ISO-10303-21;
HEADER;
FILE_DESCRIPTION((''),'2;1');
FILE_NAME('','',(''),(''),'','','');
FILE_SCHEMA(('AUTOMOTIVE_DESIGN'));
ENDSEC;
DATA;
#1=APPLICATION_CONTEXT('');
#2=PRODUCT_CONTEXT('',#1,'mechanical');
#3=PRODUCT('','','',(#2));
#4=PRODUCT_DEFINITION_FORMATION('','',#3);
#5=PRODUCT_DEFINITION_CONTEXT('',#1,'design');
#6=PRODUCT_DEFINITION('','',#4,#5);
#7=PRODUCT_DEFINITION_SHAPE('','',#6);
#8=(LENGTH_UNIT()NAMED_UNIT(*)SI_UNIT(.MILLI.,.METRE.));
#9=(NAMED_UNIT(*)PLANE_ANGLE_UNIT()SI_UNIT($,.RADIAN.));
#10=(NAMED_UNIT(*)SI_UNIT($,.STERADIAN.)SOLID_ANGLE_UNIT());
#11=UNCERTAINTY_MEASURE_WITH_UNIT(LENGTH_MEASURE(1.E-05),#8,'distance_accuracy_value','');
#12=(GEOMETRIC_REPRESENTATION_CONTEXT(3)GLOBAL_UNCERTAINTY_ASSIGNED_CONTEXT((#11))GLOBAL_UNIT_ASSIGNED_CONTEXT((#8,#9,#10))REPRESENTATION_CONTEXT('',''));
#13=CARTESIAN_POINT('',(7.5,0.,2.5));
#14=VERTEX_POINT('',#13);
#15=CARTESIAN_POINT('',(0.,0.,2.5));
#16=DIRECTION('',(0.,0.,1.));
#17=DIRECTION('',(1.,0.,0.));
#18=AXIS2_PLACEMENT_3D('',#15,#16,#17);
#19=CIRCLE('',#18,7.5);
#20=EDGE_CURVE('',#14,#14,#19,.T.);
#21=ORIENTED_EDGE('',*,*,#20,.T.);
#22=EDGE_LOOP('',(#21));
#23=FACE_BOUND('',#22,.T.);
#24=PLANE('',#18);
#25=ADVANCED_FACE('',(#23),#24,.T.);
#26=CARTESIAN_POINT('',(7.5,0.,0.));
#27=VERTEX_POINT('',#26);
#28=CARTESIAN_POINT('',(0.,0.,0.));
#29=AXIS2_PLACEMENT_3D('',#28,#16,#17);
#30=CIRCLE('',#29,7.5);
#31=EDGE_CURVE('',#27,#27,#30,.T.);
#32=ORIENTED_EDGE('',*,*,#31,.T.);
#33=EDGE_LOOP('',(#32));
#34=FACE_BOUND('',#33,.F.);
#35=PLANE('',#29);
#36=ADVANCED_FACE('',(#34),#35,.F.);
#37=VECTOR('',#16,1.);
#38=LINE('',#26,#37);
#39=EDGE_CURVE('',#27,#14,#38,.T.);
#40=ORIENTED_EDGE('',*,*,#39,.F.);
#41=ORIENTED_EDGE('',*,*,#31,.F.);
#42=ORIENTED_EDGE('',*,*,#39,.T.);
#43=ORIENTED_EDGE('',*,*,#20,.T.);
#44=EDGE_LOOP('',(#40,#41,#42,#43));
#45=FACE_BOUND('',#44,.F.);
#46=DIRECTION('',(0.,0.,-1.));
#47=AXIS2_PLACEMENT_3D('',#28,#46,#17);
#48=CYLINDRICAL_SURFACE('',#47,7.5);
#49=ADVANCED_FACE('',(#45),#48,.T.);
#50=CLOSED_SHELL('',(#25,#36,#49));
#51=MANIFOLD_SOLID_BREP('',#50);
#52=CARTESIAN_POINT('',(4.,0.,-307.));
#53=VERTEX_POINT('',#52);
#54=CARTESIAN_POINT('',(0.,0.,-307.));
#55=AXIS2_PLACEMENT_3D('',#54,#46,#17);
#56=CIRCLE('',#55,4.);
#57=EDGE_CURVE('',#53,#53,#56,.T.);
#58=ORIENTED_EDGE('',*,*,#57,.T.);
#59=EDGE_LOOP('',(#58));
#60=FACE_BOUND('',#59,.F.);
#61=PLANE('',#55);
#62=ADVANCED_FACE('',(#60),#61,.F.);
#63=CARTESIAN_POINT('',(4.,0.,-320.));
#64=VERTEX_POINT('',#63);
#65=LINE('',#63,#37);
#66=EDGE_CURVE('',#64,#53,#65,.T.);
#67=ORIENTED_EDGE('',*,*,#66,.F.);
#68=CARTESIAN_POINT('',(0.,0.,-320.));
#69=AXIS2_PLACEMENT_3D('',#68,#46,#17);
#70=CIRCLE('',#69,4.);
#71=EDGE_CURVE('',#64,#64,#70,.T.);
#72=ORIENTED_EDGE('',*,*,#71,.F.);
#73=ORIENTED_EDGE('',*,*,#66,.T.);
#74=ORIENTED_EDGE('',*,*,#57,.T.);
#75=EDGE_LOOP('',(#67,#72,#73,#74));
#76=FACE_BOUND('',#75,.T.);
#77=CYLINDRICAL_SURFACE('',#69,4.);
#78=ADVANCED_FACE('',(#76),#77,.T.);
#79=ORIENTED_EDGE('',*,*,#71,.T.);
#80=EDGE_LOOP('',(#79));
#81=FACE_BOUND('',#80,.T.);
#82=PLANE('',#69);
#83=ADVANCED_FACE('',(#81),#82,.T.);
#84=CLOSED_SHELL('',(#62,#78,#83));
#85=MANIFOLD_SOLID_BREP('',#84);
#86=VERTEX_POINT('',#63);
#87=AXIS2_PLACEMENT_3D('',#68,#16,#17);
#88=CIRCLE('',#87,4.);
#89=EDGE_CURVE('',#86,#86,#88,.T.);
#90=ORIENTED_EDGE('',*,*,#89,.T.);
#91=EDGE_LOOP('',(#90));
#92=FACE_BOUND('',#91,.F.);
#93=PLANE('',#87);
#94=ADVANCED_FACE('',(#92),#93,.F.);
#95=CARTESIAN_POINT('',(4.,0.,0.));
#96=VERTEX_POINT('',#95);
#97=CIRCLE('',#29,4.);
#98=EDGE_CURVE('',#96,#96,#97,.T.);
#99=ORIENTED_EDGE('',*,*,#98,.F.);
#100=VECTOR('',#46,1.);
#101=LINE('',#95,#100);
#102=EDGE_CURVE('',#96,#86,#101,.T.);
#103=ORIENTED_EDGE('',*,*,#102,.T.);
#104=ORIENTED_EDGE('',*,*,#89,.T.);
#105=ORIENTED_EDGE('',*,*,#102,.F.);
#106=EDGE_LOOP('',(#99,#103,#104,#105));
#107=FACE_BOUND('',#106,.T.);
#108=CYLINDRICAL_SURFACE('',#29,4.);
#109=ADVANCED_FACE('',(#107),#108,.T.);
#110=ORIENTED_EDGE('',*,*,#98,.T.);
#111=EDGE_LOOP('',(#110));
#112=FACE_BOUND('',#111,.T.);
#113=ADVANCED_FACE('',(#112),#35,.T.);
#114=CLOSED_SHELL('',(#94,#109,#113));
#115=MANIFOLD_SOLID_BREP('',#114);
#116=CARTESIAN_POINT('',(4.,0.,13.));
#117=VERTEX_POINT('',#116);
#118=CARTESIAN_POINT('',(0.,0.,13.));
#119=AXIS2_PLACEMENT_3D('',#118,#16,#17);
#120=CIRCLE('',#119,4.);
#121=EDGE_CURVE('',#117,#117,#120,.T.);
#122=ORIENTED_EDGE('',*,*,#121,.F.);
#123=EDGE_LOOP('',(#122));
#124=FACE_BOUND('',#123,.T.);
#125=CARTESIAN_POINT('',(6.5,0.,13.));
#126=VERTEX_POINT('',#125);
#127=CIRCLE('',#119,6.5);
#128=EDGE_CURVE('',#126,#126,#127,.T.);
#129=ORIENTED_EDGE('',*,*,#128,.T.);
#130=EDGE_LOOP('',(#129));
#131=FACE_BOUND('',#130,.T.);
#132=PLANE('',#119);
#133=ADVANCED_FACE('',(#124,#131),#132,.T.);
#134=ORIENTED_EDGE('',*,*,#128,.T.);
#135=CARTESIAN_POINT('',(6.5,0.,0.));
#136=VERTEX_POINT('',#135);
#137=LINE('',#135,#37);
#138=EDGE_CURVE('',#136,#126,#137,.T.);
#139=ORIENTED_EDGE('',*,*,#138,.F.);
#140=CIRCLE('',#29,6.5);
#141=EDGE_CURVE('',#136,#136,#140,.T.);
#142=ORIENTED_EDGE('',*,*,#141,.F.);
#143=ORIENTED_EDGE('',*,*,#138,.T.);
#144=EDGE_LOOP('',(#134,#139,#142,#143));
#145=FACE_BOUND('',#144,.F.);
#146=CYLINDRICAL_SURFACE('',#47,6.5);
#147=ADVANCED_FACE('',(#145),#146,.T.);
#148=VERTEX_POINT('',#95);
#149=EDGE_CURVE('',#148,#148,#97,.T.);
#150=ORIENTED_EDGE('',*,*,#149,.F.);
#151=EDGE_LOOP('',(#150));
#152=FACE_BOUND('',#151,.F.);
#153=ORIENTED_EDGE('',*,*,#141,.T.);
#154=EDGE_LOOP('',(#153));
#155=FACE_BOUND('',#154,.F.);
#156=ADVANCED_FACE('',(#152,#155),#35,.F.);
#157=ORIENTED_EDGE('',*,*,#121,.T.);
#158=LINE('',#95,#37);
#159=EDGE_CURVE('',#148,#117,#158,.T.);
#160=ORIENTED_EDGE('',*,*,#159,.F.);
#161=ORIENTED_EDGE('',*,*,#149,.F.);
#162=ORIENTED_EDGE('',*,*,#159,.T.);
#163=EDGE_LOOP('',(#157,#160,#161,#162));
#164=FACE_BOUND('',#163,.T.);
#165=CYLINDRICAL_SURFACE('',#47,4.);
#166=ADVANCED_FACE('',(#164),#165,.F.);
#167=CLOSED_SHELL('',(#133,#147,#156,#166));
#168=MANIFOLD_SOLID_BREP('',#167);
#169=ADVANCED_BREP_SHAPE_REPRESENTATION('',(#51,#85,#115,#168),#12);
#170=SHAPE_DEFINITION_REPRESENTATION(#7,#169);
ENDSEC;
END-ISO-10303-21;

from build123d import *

# Parameters (mm, degrees)
F0_R      = 7.5
F0_R_2    = 6.5
F0_R_3    = 4
F1_DEPTH  = 2.5
F2_DEPTH  = 320
F2_FACE_R = 4
F3_DEPTH  = 13


with BuildPart() as f1:
    # F0 (on Top) → F1 (new body)
    with BuildSketch(Plane.XY):
        Circle(F0_R)
        Circle(F0_R_2, mode=Mode.SUBTRACT)
        Circle(F0_R_2)
        Circle(F0_R_3, mode=Mode.SUBTRACT)
        Circle(F0_R_3)
    extrude(amount=F1_DEPTH)


with BuildPart() as f2:
    # F0 (on Top) → F2 (new body)
    with BuildSketch(Plane.XY):
        Circle(F0_R_3)
    extrude(amount=-F2_DEPTH)


with BuildPart() as f3:
    # F0 (on Top) + F2_face (on face) → F3 (new body)
    with BuildSketch(Plane.XY):
        Circle(F0_R_2)
        Circle(F0_R_3, mode=Mode.SUBTRACT)
    with BuildSketch(Plane(origin=(0, 0, -320), x_dir=(1, 0, 0), z_dir=(0, 0, -1))):
        Circle(F2_FACE_R)
    extrude(amount=F3_DEPTH, dir=(0, 0, 1))


solid = Compound([f1.part, f2.part, f3.part])
